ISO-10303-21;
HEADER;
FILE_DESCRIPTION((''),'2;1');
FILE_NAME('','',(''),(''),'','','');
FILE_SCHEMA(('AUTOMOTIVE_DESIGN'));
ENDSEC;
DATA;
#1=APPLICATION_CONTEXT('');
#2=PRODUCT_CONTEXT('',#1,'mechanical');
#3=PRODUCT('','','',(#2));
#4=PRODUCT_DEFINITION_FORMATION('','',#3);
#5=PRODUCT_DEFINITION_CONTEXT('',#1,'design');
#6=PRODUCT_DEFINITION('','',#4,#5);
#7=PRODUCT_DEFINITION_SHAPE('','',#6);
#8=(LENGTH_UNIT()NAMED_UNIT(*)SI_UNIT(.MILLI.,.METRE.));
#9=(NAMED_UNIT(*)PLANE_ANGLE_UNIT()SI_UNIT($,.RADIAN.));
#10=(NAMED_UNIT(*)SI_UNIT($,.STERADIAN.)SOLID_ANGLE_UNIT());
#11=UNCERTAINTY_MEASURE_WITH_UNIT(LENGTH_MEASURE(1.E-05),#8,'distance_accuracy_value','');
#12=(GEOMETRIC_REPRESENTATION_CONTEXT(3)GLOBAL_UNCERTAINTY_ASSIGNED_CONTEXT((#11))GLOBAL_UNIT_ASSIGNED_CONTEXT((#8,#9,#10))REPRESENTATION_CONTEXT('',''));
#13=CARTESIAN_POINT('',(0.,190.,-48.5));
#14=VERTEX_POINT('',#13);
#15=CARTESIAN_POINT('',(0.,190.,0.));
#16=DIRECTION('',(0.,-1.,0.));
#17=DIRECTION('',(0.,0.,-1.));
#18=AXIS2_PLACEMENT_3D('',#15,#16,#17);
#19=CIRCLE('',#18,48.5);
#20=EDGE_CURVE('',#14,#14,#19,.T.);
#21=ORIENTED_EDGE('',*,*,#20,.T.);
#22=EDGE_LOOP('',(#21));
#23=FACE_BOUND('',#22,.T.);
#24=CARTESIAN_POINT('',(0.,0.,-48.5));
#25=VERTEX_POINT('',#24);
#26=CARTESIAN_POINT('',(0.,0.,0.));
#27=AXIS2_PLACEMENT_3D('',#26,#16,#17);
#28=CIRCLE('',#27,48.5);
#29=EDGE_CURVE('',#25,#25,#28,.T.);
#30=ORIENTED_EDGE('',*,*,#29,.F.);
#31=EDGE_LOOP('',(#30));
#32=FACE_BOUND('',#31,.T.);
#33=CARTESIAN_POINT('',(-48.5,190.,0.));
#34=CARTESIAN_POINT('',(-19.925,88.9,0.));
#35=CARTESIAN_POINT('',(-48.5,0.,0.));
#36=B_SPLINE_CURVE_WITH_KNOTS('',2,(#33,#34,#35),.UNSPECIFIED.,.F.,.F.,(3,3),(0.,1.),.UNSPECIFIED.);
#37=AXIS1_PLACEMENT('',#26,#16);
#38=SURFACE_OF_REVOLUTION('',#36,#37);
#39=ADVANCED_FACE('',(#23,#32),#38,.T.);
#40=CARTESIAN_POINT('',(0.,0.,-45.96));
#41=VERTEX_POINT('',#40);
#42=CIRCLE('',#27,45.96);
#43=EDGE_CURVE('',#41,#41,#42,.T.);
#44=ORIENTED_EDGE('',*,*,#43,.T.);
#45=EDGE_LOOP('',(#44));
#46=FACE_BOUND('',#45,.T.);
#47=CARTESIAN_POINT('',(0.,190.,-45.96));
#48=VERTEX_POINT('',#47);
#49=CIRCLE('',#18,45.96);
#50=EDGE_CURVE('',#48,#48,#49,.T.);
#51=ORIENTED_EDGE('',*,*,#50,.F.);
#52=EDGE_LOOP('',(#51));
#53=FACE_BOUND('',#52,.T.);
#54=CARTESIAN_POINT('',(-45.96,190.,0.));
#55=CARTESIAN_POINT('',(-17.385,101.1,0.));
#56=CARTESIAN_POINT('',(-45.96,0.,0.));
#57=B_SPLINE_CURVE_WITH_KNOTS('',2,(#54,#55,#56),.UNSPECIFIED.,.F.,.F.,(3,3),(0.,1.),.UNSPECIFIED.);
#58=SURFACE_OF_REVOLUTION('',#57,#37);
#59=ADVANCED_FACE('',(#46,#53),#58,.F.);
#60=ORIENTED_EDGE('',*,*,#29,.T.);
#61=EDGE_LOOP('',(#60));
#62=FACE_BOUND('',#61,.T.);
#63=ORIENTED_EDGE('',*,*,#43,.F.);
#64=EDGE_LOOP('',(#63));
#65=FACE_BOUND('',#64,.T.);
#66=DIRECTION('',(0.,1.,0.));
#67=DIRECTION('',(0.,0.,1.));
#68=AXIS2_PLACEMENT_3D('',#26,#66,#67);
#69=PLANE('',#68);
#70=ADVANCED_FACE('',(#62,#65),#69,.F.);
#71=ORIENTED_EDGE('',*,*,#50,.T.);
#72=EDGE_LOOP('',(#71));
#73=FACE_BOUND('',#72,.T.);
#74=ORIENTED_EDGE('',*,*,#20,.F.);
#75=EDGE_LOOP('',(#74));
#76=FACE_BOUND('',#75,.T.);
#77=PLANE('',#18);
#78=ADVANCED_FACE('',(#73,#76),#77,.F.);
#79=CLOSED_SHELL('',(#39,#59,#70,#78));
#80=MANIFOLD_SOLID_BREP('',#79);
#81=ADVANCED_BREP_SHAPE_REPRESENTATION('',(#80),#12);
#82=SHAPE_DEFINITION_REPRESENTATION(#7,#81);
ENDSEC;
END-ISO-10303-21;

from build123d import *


with BuildPart() as part:
    # Sketch1 → Revolve2 (revolve)
    with BuildSketch(Plane.XY):
        with BuildLine():
            add(Edge.make_bspline(
                [(-45.96, 190), (-17.385, 101.1), (-45.96, 0)],
                knots=[0, 0, 0, 1, 1, 1], degree=2))
            Line((-45.96, 190), (-48.5, 190))
            add(Edge.make_bspline(
                [(-48.5, 190), (-19.925, 88.9), (-48.5, 0)],
                knots=[0, 0, 0, 1, 1, 1], degree=2))
            Line((-48.5, 0), (-45.96, 0))
        make_face()
    revolve(axis=Axis((0, 0, 0), (0, 1, 0)))


solid = part.part
